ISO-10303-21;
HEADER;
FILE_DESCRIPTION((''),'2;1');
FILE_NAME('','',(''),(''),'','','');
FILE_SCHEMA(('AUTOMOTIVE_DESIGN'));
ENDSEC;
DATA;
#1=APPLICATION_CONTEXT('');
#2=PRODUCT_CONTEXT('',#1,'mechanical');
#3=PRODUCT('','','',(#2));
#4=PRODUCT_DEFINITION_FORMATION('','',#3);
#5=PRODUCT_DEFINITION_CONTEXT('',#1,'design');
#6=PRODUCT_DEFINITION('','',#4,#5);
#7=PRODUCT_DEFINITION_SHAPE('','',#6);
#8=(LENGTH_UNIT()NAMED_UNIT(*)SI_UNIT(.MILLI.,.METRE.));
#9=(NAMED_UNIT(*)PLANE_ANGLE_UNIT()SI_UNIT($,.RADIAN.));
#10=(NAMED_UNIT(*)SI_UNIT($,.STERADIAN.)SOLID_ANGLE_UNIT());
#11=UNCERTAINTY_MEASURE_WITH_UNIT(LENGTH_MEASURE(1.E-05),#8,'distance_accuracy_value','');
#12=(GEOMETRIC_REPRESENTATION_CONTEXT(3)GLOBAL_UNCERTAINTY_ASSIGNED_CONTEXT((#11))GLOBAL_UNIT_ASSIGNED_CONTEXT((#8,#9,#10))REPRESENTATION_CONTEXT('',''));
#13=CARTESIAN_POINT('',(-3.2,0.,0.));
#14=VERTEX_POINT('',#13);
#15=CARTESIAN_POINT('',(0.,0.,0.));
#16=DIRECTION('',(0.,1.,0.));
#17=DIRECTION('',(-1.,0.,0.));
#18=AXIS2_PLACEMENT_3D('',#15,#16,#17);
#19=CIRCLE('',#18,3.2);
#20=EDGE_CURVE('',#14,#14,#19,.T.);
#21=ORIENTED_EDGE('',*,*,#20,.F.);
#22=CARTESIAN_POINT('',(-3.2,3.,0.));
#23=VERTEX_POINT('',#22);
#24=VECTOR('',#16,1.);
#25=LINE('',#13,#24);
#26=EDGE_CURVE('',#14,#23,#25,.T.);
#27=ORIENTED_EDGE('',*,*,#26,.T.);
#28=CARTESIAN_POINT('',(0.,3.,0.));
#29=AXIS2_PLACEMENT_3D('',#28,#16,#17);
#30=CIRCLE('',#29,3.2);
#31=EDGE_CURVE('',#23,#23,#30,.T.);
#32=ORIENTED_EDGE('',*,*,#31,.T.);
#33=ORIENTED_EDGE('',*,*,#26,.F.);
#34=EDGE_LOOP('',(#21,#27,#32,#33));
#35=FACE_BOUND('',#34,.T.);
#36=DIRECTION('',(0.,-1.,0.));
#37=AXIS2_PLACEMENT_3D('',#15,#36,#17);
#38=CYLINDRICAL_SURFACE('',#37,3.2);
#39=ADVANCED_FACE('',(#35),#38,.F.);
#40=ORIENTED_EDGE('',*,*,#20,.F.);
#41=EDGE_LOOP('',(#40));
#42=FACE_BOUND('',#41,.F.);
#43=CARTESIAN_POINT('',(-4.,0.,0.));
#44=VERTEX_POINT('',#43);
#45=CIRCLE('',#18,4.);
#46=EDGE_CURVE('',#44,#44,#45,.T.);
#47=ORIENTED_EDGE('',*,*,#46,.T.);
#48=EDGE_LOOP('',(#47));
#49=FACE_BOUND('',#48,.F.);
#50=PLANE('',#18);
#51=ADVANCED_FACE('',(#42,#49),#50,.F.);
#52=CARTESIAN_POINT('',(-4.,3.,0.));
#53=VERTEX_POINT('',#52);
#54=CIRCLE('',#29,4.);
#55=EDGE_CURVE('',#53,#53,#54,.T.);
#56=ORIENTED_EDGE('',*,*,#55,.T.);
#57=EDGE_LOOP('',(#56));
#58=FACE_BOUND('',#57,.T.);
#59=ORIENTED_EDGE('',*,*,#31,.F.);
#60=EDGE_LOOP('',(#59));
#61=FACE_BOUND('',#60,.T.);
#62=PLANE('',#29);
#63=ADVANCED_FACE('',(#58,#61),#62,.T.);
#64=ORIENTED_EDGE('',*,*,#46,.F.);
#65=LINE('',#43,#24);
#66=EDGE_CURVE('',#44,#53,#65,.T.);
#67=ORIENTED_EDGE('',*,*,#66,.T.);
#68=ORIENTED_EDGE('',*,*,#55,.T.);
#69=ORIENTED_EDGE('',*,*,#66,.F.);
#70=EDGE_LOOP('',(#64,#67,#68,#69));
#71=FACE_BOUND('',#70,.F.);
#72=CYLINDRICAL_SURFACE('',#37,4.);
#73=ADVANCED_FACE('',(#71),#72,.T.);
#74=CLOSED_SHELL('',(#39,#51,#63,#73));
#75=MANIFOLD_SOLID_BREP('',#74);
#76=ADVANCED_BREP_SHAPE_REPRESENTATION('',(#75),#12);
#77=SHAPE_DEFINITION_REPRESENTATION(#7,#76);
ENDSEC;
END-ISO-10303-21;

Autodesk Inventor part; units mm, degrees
ref_plane "YZ Plane" through (0, 0, 0) normal (1, 0, 0) x (0, 1, 0)
ref_plane "XZ Plane" through (0, 0, 0) normal (0, 1, 0) x (-1, 0, 0)
ref_plane "XY Plane" through (0, 0, 0) normal (0, 0, 1) x (1, 0, 0)
sketch "Boceto1" plane through (0, 0, 0) normal (0, 1, 0) x (-1, 0, 0)
  circle A0 centre (0, 0) radius 3.2
  circle A1 centre (0, 0) radius 4
  dimension "d0" = 6.4
  dimension "d1" = 8
extrude "Extrusión1" add sketch "Boceto1" along normal blind 3
properties part number "spacer"
